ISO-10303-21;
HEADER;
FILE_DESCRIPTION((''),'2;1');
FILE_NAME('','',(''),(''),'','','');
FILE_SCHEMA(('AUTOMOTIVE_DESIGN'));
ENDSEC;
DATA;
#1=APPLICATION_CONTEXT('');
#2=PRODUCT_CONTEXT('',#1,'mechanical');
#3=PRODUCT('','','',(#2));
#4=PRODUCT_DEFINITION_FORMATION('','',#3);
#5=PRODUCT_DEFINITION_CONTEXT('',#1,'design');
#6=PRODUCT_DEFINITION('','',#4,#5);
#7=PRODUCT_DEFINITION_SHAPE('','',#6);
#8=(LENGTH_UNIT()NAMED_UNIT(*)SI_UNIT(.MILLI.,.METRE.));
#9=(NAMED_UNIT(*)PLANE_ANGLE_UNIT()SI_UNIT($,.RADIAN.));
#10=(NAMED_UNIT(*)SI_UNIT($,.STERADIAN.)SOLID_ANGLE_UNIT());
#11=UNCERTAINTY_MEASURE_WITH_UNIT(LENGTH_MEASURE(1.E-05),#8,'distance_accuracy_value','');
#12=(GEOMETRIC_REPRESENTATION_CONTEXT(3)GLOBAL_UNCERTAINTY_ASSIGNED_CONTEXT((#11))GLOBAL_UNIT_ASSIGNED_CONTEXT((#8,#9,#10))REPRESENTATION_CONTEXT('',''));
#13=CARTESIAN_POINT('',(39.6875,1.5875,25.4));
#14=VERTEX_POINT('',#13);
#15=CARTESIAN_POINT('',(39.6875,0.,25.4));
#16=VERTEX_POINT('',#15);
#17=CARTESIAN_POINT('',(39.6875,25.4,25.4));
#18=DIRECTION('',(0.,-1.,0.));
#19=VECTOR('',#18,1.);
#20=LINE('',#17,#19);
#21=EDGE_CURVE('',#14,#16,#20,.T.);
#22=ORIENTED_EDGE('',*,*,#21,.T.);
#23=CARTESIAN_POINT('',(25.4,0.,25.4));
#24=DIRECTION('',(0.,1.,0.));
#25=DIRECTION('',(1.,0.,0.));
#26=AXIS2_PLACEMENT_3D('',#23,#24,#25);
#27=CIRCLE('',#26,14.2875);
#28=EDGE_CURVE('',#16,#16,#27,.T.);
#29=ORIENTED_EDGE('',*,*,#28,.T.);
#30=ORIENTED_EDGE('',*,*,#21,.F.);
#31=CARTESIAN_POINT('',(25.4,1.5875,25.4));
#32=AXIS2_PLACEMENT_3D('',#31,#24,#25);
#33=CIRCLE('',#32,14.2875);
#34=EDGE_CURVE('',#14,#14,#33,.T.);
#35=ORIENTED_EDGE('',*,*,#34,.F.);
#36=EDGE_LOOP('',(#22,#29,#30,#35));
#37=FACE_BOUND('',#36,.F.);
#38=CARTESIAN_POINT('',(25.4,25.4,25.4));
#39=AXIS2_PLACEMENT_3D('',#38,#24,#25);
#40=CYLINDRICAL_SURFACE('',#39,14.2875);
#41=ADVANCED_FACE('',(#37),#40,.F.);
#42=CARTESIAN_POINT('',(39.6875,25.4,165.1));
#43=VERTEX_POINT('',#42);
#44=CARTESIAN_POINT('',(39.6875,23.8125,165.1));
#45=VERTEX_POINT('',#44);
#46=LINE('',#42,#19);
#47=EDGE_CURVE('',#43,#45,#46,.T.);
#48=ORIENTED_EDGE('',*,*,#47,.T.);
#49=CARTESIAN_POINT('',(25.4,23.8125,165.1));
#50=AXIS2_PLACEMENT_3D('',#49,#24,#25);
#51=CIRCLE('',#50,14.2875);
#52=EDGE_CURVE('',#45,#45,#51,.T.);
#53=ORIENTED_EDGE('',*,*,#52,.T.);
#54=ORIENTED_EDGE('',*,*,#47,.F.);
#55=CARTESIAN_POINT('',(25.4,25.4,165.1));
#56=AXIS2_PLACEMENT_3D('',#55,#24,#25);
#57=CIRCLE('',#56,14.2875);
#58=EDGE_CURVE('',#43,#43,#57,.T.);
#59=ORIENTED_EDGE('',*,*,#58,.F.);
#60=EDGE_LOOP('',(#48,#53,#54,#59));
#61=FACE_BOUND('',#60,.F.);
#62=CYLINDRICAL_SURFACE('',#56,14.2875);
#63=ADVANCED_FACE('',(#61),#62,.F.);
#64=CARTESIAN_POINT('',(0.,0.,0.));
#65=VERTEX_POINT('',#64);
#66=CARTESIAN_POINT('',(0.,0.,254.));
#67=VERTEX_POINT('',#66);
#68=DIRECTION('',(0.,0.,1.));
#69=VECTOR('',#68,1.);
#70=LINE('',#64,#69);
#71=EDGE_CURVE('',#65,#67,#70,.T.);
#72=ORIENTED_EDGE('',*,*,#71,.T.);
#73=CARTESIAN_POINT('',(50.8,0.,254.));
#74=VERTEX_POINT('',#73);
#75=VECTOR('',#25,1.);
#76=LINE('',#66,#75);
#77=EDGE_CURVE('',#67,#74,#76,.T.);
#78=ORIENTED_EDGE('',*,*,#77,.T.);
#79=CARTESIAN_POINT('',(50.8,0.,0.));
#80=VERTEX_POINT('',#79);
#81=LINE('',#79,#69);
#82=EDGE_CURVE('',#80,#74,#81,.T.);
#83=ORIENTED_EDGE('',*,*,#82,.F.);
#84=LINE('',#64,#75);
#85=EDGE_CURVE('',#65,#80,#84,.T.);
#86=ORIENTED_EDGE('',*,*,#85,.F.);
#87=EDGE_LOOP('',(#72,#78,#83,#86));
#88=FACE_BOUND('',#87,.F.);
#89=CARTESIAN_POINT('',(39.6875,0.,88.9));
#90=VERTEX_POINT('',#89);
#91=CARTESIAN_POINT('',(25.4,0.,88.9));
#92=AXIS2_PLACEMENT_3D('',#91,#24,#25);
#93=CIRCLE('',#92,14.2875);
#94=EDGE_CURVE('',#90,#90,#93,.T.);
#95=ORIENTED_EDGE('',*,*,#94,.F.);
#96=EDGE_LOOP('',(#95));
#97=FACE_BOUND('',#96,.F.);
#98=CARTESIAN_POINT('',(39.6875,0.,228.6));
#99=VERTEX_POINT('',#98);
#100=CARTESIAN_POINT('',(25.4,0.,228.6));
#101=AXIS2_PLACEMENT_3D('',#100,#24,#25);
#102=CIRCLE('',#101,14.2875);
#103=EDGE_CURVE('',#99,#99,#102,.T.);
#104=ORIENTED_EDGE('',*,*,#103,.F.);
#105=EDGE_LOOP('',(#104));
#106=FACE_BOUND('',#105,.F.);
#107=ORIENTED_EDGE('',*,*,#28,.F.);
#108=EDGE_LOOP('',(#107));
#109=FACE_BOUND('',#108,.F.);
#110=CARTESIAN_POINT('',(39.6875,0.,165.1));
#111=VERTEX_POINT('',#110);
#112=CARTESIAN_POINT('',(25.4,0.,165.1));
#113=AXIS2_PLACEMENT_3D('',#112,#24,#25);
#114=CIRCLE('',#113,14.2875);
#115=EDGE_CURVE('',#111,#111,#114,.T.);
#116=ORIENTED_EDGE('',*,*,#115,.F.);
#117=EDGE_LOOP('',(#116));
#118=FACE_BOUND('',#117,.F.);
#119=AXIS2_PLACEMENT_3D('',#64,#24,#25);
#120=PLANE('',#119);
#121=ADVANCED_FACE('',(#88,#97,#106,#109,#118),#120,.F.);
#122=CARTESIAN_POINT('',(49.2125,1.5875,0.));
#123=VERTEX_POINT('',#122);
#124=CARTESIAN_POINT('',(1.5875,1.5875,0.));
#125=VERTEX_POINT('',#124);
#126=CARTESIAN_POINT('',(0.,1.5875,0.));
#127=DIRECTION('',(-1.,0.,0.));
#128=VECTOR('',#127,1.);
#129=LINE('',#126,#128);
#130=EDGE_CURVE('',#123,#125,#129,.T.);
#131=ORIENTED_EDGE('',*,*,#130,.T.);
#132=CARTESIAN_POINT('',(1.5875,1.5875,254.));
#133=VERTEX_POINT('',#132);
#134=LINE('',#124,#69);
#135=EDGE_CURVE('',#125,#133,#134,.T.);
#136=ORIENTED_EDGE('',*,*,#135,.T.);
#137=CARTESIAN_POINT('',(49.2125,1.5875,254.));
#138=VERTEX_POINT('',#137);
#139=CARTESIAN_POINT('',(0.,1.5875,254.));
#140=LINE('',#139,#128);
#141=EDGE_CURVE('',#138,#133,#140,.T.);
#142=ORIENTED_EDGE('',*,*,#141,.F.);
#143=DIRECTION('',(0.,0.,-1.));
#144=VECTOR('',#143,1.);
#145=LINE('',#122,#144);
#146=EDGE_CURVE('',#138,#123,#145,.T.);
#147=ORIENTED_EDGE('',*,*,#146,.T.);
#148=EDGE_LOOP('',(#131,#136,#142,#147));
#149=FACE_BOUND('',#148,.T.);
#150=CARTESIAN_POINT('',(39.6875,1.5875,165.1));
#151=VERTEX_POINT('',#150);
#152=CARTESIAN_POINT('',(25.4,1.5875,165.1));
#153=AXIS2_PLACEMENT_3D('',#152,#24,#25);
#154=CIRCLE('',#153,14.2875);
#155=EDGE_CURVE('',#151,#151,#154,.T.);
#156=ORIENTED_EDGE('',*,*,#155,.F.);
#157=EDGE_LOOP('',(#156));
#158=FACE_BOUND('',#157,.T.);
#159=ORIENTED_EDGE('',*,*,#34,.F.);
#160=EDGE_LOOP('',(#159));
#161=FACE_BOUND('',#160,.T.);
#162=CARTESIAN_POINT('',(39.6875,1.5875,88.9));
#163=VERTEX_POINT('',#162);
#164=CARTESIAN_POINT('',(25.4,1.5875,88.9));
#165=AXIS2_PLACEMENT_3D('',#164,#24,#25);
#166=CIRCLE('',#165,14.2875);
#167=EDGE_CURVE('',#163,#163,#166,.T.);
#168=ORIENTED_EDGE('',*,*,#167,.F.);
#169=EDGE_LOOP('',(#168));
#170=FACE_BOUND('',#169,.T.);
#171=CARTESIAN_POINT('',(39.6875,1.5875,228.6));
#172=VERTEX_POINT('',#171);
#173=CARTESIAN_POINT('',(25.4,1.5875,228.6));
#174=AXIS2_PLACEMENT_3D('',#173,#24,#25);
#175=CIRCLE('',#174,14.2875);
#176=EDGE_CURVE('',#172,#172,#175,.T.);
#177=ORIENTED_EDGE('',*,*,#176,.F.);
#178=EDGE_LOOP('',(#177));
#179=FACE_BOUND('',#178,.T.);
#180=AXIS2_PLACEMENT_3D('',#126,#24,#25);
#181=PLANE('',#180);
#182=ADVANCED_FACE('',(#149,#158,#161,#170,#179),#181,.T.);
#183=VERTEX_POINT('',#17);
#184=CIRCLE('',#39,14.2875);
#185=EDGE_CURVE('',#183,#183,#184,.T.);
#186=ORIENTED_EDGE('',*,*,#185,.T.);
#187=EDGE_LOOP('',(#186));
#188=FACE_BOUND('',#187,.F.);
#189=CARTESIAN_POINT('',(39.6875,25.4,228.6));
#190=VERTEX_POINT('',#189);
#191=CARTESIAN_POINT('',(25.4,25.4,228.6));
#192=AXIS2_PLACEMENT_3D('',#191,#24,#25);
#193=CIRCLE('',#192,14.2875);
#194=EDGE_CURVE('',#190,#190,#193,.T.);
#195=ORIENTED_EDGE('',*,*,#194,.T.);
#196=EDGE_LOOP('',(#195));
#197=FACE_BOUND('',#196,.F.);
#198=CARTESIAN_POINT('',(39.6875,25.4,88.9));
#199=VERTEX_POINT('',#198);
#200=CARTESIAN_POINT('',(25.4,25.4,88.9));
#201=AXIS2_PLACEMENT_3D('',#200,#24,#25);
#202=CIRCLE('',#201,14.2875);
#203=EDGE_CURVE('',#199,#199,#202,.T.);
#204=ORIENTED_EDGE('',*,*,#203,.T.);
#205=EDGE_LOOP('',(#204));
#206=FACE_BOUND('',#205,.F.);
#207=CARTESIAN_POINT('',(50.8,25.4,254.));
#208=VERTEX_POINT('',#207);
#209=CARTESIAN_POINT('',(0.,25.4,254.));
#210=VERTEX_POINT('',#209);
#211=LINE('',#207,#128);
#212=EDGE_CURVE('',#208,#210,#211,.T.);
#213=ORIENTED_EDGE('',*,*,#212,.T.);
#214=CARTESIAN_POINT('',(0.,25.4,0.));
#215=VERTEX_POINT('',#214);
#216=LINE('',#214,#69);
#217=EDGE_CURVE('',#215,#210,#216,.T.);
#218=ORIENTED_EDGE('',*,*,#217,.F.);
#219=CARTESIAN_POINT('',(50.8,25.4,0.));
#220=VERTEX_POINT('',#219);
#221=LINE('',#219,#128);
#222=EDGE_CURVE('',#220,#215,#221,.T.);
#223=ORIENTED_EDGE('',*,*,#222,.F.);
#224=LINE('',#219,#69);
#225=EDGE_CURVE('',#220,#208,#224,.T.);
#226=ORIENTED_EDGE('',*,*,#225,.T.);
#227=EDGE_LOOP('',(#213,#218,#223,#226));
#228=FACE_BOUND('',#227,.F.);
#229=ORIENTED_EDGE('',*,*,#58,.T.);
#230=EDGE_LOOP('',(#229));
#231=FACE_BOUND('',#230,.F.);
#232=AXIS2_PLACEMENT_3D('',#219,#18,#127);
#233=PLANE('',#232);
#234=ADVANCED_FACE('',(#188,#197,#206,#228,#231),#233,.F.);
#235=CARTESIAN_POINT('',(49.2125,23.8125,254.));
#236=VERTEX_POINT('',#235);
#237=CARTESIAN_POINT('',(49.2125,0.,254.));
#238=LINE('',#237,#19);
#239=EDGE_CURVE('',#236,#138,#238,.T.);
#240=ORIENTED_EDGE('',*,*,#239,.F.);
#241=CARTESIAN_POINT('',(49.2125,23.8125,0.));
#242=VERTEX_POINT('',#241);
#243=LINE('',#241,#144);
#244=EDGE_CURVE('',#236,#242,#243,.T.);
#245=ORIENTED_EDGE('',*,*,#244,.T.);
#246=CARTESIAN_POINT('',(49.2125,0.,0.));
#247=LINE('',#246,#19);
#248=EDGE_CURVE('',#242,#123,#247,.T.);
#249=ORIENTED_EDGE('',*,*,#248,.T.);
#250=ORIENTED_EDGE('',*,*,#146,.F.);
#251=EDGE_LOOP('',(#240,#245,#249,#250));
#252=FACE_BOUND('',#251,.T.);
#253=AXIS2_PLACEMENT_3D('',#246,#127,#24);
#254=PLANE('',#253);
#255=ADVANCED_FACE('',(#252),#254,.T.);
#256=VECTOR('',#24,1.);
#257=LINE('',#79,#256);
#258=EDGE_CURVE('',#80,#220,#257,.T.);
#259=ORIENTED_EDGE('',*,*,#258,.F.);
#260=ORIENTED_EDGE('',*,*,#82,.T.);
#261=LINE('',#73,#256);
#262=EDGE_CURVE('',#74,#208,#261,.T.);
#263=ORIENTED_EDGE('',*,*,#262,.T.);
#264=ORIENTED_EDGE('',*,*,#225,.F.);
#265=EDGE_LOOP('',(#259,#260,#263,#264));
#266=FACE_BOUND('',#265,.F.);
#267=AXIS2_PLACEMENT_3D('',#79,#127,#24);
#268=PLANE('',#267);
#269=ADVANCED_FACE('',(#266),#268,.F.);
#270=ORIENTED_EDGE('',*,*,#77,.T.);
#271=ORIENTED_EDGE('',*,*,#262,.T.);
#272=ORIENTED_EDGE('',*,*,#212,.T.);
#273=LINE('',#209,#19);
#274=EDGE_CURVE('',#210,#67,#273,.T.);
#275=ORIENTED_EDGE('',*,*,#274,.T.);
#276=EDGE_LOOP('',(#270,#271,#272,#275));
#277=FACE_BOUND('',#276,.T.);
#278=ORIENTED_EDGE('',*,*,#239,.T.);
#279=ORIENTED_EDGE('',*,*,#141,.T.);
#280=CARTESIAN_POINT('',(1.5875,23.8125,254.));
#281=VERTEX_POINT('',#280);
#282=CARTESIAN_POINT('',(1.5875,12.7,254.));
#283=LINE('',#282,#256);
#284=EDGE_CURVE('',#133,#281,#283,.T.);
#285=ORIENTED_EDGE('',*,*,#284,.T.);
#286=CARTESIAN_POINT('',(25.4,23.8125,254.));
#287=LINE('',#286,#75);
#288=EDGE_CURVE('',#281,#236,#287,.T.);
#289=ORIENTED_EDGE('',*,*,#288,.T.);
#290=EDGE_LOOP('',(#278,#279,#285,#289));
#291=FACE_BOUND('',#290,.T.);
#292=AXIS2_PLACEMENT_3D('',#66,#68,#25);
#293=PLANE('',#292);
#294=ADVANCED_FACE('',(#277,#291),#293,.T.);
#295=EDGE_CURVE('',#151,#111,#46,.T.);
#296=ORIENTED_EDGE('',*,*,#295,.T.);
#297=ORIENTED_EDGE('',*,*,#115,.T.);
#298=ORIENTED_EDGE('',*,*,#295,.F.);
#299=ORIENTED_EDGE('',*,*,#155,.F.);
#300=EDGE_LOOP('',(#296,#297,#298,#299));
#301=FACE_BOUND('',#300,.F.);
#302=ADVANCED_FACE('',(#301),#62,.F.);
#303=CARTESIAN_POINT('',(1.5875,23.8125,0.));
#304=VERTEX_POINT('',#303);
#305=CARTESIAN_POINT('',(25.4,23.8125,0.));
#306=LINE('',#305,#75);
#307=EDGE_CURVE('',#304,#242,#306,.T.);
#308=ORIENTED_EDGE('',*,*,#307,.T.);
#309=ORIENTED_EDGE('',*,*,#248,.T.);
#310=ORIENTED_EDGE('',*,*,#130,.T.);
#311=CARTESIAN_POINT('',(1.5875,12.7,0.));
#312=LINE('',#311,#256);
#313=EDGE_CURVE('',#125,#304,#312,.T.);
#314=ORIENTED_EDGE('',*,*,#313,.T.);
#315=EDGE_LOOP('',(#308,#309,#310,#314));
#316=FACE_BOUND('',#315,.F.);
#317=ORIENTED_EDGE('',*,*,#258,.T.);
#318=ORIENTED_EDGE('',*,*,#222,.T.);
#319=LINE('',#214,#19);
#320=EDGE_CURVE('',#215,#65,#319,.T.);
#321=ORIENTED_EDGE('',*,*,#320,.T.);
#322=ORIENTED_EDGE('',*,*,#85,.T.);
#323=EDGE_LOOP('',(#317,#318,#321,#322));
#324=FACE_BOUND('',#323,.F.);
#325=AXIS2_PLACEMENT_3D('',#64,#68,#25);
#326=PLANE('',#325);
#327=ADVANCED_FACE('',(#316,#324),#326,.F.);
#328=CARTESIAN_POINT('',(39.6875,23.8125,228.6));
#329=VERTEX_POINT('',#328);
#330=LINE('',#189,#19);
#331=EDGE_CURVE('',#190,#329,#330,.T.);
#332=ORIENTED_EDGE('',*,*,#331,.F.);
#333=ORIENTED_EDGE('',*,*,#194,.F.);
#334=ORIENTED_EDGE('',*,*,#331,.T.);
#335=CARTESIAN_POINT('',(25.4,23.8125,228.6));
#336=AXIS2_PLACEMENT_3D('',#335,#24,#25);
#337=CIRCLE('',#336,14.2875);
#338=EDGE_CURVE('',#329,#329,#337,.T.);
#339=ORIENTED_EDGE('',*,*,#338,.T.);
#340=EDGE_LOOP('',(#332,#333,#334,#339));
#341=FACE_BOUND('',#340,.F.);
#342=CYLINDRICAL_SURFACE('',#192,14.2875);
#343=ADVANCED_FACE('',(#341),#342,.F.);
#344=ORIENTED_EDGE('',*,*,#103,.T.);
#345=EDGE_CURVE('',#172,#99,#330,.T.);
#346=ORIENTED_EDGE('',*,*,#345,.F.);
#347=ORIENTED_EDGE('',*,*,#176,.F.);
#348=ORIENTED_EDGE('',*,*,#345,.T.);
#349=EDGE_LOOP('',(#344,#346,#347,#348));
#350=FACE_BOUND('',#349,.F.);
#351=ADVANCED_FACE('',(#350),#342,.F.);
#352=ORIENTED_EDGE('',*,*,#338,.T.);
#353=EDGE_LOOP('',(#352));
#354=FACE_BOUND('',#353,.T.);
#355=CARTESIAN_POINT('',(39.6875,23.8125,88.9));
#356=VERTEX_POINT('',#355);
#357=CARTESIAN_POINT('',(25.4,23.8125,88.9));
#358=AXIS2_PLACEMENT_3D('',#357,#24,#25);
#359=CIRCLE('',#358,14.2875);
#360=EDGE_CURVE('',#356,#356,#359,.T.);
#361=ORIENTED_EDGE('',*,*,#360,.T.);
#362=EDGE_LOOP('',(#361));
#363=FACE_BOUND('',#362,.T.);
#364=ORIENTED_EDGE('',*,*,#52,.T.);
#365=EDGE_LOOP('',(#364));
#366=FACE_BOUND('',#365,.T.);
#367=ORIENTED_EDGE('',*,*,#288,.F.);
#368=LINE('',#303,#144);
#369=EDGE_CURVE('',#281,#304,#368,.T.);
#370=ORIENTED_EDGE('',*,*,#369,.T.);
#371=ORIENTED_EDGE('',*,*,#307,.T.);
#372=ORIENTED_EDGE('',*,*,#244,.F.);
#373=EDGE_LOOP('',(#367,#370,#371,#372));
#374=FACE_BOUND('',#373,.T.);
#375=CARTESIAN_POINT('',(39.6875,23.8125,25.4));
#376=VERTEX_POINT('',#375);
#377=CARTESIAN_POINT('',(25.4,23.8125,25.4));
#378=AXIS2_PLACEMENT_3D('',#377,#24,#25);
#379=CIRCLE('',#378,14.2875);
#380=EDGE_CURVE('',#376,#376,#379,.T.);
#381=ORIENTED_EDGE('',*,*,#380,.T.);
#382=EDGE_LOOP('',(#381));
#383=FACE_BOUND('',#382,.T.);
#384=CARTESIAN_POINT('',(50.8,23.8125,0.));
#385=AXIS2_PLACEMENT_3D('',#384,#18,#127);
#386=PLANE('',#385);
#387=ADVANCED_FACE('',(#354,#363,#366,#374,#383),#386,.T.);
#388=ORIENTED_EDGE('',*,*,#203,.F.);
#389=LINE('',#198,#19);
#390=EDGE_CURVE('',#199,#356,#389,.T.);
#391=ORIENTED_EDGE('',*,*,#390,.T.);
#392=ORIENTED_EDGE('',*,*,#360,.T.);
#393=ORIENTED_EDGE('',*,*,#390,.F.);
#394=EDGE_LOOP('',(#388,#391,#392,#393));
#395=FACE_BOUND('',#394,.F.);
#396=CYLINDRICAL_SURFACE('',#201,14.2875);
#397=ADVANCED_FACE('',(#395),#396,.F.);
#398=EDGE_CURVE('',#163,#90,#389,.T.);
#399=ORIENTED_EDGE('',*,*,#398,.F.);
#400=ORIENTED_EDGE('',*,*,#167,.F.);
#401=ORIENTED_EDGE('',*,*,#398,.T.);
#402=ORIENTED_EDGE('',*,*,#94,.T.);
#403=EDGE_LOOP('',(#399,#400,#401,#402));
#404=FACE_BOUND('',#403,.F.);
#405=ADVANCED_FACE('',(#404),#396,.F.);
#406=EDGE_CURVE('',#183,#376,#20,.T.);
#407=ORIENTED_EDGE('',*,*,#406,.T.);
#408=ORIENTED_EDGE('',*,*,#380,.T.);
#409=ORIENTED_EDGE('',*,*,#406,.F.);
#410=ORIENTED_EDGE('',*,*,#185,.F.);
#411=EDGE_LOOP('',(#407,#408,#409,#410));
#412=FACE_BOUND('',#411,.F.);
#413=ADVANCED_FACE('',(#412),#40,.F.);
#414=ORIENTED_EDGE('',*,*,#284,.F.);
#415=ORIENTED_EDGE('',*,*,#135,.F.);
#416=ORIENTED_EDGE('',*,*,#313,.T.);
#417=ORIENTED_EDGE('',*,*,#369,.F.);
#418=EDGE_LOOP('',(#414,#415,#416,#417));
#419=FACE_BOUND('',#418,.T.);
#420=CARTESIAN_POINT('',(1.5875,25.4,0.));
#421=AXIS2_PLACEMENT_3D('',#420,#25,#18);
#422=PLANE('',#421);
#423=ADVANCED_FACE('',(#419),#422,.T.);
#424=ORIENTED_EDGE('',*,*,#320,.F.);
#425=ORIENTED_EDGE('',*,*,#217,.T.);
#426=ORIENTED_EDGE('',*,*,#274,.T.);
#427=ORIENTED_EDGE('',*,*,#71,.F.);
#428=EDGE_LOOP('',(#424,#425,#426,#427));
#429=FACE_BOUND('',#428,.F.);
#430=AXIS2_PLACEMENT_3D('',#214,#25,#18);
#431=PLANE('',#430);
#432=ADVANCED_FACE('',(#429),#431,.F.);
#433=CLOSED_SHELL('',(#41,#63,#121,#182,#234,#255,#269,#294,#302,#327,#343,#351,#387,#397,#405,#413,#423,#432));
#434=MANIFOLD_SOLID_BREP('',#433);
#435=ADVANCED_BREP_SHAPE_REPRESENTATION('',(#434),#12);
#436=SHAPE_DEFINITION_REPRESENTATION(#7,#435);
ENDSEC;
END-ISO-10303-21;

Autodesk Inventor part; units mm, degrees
ref_plane "YZ Plane" through (0, 0, 0) normal (1, 0, 0) x (0, 1, 0)
ref_plane "XZ Plane" through (0, 0, 0) normal (0, 1, 0) x (-1, 0, 0)
ref_plane "XY Plane" through (0, 0, 0) normal (0, 0, 1) x (1, 0, 0)
sketch "Sketch1" plane through (0, 0, 0) normal (0, 0, 1) x (1, 0, 0)
  line L0 (0, 0) -> (50.8, 0)
  line L1 (50.8, 0) -> (50.8, 25.4)
  line L2 (50.8, 25.4) -> (0, 25.4)
  line L3 (0, 25.4) -> (0, 0)
  dimension "d0" = 50.8
  dimension "d1" = 25.4
extrude "Extrusion1" add sketch "Sketch1" along normal blind 254
shell "Shell1" thickness 1.5875 removed faces 2 at (16.9333, 8.4667, 0) at (16.9333, 8.4667, 254)
sketch "Sketch2" plane through (0, 25.4, 0) normal (0, 1, 0) x (1, 0, 0)
  circle A0 centre (25.4, -25.4) radius 14.2875
  circle A1 centre (25.4, -228.6) radius 14.2875
  line L0 (0, -254) -> (50.8, -254) projected
  line L1 (50.8, 0) -> (0, 0) projected
  line L2 (0, 0) -> (0, -254) projected
  circle A2 centre (25.4, -88.9) radius 14.2875
  circle A3 centre (25.4, -165.1) radius 14.2875
  dimension "d5" = 25.4
  dimension "d6" = 25.4
  dimension "d7" = 25.4
  dimension "d8" = 25.4
  dimension "d9" = 28.575
  dimension "d12" = 25.4
  dimension "d13" = 25.4
  dimension "d14" = 76.2
  dimension "d15" = 88.9
extrude "Extrusion2" cut sketch "Sketch2" against normal through all
equation "\"d2\" = Length"
equation "\"d6\" = d5"
equation "\"d7\" = d6"
equation "\"d8\" = d5"
equation "\"d12\" = d13"
equation "\"d13\" = d8"
equation "\"Length\" = 254"
properties part number "Main body"
